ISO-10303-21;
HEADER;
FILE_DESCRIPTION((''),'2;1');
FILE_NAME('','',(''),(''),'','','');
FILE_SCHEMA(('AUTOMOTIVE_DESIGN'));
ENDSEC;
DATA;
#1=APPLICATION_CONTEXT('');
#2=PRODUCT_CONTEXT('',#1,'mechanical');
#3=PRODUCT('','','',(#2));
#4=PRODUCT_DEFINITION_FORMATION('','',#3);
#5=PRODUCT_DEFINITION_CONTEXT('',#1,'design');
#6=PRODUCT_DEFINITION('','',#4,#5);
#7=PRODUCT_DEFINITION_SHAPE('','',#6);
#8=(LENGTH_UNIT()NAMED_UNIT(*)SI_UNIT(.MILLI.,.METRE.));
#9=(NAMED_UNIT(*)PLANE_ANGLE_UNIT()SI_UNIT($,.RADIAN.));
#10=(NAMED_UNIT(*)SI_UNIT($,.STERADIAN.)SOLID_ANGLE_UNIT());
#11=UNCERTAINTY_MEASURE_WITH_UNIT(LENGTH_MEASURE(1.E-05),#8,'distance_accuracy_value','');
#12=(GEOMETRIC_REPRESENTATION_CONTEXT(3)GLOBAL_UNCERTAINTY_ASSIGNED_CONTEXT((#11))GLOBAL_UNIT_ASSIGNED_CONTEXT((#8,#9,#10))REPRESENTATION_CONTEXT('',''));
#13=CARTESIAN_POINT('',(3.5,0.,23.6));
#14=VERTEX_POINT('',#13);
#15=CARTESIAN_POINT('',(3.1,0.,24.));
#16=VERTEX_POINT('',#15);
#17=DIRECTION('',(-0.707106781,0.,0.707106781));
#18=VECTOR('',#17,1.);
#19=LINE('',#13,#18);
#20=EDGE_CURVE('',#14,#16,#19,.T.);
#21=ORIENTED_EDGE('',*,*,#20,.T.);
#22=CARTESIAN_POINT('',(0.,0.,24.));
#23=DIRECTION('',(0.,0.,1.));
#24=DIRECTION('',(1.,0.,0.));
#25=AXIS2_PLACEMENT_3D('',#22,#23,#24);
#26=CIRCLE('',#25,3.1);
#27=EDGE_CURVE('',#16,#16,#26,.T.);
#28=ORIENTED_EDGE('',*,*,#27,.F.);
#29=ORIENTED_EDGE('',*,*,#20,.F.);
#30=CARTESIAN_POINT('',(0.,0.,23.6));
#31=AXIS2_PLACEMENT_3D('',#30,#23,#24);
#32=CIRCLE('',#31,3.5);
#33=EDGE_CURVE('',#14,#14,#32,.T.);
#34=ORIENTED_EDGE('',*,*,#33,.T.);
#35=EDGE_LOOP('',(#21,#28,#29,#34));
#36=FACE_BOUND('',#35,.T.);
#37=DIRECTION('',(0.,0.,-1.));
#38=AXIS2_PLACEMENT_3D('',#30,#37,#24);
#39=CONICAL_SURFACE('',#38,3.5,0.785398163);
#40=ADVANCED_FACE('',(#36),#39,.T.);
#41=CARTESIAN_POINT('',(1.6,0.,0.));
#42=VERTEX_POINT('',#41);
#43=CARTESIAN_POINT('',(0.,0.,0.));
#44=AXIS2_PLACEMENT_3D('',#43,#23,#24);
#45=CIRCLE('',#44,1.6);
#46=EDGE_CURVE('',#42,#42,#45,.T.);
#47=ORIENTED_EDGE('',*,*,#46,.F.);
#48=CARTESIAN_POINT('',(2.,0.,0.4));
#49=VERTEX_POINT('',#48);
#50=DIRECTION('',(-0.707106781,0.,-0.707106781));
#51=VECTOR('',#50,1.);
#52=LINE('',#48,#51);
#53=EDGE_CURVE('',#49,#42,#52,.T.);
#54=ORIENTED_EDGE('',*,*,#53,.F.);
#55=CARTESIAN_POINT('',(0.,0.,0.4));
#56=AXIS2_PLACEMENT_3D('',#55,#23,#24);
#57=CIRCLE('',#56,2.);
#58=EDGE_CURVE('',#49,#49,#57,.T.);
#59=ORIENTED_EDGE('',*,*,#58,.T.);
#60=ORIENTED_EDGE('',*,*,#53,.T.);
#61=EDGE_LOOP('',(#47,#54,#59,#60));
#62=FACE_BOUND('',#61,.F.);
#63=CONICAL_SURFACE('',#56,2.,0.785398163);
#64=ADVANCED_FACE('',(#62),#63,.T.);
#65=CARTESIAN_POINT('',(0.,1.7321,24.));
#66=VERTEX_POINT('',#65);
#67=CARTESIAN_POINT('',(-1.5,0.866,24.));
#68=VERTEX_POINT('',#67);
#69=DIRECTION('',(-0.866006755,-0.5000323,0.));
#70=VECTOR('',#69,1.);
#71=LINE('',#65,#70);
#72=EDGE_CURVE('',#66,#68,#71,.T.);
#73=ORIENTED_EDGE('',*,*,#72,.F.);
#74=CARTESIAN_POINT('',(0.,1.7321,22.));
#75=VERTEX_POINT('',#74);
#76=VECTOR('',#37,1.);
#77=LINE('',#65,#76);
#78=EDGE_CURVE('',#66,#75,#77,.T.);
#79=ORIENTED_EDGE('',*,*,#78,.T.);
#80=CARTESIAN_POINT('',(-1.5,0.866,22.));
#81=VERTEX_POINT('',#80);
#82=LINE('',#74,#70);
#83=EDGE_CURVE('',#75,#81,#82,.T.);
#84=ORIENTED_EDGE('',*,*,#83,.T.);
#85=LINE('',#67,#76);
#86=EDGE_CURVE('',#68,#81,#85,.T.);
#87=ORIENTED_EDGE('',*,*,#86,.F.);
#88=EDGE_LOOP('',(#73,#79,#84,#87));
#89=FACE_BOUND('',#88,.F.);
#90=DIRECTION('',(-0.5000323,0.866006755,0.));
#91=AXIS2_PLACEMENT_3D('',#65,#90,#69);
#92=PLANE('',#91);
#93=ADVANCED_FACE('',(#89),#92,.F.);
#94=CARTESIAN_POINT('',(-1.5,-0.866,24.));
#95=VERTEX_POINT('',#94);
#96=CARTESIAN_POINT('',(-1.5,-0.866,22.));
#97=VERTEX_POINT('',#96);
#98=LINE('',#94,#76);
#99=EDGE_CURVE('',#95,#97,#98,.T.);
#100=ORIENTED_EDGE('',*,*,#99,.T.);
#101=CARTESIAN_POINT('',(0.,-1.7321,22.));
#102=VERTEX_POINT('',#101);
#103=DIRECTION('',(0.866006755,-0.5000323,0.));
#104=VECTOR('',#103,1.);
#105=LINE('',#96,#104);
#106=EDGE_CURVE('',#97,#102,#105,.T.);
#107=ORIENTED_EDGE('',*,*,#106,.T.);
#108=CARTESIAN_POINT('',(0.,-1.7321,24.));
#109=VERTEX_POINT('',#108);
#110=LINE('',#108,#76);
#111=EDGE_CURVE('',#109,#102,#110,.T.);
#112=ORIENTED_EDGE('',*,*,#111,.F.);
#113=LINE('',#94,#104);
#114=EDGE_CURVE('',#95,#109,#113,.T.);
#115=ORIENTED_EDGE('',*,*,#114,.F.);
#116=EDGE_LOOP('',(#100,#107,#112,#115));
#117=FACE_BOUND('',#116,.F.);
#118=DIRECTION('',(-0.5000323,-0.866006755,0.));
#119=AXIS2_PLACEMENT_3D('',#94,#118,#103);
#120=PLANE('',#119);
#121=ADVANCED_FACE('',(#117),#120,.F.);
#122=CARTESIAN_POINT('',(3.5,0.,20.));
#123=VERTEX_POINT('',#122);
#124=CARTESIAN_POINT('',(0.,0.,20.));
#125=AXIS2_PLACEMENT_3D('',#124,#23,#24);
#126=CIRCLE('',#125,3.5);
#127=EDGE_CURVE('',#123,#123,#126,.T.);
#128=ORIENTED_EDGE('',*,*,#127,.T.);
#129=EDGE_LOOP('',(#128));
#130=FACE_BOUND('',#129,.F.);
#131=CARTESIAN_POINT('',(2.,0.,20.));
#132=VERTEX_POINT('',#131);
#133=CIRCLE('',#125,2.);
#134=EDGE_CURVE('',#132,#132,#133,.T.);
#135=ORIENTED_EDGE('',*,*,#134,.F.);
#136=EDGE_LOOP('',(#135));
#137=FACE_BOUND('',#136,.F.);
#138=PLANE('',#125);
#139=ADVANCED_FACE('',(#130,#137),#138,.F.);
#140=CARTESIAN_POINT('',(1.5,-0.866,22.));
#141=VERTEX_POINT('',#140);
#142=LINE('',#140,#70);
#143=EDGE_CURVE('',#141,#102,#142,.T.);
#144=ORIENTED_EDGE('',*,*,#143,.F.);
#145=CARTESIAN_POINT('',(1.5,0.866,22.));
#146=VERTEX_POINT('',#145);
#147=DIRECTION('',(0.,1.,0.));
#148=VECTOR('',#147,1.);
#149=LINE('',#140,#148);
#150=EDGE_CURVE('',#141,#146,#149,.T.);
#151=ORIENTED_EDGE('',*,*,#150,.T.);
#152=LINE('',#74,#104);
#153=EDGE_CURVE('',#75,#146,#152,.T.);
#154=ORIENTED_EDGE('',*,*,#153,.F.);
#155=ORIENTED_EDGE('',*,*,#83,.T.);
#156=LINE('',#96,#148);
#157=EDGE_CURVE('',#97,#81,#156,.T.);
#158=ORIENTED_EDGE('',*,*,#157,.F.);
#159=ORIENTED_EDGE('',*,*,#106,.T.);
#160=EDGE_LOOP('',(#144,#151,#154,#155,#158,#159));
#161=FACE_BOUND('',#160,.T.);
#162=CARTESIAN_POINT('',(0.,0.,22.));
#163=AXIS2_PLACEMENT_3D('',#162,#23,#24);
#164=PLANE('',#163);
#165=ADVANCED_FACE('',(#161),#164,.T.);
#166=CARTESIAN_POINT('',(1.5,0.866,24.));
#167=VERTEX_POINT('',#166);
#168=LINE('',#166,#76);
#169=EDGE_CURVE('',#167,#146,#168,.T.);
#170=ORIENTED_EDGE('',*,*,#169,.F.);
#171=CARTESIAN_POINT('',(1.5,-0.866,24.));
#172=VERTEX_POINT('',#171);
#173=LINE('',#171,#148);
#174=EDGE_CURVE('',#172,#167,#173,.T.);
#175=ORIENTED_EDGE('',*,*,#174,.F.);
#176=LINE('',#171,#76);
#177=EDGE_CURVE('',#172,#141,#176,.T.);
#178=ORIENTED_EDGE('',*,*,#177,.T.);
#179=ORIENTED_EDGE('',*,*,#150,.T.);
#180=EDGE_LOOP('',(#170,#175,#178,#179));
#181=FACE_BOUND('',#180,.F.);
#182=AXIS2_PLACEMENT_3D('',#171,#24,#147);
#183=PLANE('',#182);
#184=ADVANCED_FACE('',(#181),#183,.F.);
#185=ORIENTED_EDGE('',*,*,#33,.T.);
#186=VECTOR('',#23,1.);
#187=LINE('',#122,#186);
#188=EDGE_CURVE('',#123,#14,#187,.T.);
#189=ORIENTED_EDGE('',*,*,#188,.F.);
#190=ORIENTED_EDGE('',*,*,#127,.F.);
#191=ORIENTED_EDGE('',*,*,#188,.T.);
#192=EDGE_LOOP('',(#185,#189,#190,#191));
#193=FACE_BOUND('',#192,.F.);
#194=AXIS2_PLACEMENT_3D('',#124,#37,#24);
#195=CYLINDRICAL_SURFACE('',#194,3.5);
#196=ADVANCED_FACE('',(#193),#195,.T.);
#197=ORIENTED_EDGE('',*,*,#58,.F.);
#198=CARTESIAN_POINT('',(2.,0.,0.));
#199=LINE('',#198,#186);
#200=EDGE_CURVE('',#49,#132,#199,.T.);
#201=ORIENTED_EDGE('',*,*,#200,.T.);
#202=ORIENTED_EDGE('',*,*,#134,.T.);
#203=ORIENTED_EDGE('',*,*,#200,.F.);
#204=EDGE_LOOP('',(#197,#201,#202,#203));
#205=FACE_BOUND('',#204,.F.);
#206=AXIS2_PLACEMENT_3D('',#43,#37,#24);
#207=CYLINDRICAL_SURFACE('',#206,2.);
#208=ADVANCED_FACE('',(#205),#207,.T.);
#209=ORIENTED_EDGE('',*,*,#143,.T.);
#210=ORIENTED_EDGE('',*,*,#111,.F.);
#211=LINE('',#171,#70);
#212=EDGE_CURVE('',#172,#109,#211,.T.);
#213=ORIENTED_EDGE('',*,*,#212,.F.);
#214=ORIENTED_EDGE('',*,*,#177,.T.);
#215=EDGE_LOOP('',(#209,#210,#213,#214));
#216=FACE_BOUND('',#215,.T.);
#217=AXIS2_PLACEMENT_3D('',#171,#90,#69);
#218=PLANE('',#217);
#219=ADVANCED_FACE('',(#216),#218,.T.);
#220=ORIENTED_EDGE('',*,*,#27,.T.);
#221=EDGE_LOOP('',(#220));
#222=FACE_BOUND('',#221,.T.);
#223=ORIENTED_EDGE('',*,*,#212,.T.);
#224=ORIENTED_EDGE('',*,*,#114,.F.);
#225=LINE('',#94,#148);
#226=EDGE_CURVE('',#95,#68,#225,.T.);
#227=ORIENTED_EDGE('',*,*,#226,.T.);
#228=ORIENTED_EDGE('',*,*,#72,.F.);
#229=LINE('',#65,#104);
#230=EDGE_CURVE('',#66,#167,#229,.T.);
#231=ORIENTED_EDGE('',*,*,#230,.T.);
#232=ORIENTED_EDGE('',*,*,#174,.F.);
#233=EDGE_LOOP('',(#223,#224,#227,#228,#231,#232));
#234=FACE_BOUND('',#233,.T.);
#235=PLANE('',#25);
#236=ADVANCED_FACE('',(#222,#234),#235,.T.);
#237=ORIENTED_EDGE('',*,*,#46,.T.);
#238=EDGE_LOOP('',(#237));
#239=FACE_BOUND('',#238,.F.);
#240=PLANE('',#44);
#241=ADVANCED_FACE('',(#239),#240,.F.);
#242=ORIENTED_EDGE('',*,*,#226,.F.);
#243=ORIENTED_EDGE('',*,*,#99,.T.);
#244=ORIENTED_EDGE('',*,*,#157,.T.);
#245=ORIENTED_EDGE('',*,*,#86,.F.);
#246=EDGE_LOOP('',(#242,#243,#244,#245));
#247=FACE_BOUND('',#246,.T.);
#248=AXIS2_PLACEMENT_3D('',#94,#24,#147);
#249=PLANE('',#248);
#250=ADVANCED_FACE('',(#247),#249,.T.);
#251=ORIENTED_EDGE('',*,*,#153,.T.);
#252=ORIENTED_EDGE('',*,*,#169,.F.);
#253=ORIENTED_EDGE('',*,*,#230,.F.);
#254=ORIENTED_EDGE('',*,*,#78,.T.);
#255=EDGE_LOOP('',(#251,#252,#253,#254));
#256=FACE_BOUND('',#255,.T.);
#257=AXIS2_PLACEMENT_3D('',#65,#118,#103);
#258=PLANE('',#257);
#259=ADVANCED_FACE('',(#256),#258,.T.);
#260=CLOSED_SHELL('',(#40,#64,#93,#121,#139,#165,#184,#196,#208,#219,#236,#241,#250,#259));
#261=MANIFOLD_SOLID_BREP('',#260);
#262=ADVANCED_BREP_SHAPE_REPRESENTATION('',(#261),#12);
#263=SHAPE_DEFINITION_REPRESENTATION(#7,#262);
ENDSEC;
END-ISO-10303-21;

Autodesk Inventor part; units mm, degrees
ref_plane "YZ Plane" through (0, 0, 0) normal (1, 0, 0) x (0, 1, 0)
ref_plane "XZ Plane" through (0, 0, 0) normal (0, 1, 0) x (-1, 0, 0)
ref_plane "XY Plane" through (0, 0, 0) normal (0, 0, 1) x (1, 0, 0)
sketch "Sketch1" plane through (0, 0, 0) normal (0, 0, 1) x (1, 0, 0)
  circle A0 centre (0, 0) radius 2
  dimension "Diameter" = 4
extrude "Extrusion1" add sketch "Sketch1" along normal blind 20
sketch "Sketch2" plane through (0, 0, 20) normal (0, 0, 1) x (1, 0, 0)
  circle A0 centre (0, 0) radius 2 projected
  circle A1 centre (0, 0) radius 3.5
  dimension "Head_Diameter" = 7
extrude "Extrusion2" add sketch "Sketch2" along normal blind 4 contours A0 | A1
sketch "Sketch3" plane through (0, 0, 24) normal (0, 0, 1) x (1, 0, 0)
  circle A0 centre (0, 0) radius 3.5 projected
  circle A1 centre (0, 0) radius 1.7321 construction
  line L0 (0, 1.7321) -> (1.5, 0.866)
  line L1 (1.5, -0.866) -> (1.5, 0.866)
  line L2 (0, 1.7321) -> (-1.5, 0.866)
  line L3 (-1.5, -0.866) -> (-1.5, 0.866)
  line L4 (-1.5, -0.866) -> (0, -1.7321)
  line L5 (1.5, -0.866) -> (0, -1.7321)
  dimension "Hex_Width" = 3
extrude "Extrusion3" cut sketch "Sketch3" against normal blind 2 contours L0 L1 L5 L4 L3 L2
thread "Thread1" size "M4x0.7" class "4g6g" standard "ANSI Metric M Profile" length 20
chamfer "Chamfer1" distance 0.4 angle 45 2 edges at (-3.5, 0, 24) (-2, 0, 0)
equation "\"d9\" = ThreadLength"
equation "\"d12\" = Chamfer"
equation "\"ThreadLength\" = 20"
equation "\"Chamfer\" = 0.4"
properties part number "SCREW, SOCKET HD, P, 12_9, M4X0_7X20" material "Steel, MS"
